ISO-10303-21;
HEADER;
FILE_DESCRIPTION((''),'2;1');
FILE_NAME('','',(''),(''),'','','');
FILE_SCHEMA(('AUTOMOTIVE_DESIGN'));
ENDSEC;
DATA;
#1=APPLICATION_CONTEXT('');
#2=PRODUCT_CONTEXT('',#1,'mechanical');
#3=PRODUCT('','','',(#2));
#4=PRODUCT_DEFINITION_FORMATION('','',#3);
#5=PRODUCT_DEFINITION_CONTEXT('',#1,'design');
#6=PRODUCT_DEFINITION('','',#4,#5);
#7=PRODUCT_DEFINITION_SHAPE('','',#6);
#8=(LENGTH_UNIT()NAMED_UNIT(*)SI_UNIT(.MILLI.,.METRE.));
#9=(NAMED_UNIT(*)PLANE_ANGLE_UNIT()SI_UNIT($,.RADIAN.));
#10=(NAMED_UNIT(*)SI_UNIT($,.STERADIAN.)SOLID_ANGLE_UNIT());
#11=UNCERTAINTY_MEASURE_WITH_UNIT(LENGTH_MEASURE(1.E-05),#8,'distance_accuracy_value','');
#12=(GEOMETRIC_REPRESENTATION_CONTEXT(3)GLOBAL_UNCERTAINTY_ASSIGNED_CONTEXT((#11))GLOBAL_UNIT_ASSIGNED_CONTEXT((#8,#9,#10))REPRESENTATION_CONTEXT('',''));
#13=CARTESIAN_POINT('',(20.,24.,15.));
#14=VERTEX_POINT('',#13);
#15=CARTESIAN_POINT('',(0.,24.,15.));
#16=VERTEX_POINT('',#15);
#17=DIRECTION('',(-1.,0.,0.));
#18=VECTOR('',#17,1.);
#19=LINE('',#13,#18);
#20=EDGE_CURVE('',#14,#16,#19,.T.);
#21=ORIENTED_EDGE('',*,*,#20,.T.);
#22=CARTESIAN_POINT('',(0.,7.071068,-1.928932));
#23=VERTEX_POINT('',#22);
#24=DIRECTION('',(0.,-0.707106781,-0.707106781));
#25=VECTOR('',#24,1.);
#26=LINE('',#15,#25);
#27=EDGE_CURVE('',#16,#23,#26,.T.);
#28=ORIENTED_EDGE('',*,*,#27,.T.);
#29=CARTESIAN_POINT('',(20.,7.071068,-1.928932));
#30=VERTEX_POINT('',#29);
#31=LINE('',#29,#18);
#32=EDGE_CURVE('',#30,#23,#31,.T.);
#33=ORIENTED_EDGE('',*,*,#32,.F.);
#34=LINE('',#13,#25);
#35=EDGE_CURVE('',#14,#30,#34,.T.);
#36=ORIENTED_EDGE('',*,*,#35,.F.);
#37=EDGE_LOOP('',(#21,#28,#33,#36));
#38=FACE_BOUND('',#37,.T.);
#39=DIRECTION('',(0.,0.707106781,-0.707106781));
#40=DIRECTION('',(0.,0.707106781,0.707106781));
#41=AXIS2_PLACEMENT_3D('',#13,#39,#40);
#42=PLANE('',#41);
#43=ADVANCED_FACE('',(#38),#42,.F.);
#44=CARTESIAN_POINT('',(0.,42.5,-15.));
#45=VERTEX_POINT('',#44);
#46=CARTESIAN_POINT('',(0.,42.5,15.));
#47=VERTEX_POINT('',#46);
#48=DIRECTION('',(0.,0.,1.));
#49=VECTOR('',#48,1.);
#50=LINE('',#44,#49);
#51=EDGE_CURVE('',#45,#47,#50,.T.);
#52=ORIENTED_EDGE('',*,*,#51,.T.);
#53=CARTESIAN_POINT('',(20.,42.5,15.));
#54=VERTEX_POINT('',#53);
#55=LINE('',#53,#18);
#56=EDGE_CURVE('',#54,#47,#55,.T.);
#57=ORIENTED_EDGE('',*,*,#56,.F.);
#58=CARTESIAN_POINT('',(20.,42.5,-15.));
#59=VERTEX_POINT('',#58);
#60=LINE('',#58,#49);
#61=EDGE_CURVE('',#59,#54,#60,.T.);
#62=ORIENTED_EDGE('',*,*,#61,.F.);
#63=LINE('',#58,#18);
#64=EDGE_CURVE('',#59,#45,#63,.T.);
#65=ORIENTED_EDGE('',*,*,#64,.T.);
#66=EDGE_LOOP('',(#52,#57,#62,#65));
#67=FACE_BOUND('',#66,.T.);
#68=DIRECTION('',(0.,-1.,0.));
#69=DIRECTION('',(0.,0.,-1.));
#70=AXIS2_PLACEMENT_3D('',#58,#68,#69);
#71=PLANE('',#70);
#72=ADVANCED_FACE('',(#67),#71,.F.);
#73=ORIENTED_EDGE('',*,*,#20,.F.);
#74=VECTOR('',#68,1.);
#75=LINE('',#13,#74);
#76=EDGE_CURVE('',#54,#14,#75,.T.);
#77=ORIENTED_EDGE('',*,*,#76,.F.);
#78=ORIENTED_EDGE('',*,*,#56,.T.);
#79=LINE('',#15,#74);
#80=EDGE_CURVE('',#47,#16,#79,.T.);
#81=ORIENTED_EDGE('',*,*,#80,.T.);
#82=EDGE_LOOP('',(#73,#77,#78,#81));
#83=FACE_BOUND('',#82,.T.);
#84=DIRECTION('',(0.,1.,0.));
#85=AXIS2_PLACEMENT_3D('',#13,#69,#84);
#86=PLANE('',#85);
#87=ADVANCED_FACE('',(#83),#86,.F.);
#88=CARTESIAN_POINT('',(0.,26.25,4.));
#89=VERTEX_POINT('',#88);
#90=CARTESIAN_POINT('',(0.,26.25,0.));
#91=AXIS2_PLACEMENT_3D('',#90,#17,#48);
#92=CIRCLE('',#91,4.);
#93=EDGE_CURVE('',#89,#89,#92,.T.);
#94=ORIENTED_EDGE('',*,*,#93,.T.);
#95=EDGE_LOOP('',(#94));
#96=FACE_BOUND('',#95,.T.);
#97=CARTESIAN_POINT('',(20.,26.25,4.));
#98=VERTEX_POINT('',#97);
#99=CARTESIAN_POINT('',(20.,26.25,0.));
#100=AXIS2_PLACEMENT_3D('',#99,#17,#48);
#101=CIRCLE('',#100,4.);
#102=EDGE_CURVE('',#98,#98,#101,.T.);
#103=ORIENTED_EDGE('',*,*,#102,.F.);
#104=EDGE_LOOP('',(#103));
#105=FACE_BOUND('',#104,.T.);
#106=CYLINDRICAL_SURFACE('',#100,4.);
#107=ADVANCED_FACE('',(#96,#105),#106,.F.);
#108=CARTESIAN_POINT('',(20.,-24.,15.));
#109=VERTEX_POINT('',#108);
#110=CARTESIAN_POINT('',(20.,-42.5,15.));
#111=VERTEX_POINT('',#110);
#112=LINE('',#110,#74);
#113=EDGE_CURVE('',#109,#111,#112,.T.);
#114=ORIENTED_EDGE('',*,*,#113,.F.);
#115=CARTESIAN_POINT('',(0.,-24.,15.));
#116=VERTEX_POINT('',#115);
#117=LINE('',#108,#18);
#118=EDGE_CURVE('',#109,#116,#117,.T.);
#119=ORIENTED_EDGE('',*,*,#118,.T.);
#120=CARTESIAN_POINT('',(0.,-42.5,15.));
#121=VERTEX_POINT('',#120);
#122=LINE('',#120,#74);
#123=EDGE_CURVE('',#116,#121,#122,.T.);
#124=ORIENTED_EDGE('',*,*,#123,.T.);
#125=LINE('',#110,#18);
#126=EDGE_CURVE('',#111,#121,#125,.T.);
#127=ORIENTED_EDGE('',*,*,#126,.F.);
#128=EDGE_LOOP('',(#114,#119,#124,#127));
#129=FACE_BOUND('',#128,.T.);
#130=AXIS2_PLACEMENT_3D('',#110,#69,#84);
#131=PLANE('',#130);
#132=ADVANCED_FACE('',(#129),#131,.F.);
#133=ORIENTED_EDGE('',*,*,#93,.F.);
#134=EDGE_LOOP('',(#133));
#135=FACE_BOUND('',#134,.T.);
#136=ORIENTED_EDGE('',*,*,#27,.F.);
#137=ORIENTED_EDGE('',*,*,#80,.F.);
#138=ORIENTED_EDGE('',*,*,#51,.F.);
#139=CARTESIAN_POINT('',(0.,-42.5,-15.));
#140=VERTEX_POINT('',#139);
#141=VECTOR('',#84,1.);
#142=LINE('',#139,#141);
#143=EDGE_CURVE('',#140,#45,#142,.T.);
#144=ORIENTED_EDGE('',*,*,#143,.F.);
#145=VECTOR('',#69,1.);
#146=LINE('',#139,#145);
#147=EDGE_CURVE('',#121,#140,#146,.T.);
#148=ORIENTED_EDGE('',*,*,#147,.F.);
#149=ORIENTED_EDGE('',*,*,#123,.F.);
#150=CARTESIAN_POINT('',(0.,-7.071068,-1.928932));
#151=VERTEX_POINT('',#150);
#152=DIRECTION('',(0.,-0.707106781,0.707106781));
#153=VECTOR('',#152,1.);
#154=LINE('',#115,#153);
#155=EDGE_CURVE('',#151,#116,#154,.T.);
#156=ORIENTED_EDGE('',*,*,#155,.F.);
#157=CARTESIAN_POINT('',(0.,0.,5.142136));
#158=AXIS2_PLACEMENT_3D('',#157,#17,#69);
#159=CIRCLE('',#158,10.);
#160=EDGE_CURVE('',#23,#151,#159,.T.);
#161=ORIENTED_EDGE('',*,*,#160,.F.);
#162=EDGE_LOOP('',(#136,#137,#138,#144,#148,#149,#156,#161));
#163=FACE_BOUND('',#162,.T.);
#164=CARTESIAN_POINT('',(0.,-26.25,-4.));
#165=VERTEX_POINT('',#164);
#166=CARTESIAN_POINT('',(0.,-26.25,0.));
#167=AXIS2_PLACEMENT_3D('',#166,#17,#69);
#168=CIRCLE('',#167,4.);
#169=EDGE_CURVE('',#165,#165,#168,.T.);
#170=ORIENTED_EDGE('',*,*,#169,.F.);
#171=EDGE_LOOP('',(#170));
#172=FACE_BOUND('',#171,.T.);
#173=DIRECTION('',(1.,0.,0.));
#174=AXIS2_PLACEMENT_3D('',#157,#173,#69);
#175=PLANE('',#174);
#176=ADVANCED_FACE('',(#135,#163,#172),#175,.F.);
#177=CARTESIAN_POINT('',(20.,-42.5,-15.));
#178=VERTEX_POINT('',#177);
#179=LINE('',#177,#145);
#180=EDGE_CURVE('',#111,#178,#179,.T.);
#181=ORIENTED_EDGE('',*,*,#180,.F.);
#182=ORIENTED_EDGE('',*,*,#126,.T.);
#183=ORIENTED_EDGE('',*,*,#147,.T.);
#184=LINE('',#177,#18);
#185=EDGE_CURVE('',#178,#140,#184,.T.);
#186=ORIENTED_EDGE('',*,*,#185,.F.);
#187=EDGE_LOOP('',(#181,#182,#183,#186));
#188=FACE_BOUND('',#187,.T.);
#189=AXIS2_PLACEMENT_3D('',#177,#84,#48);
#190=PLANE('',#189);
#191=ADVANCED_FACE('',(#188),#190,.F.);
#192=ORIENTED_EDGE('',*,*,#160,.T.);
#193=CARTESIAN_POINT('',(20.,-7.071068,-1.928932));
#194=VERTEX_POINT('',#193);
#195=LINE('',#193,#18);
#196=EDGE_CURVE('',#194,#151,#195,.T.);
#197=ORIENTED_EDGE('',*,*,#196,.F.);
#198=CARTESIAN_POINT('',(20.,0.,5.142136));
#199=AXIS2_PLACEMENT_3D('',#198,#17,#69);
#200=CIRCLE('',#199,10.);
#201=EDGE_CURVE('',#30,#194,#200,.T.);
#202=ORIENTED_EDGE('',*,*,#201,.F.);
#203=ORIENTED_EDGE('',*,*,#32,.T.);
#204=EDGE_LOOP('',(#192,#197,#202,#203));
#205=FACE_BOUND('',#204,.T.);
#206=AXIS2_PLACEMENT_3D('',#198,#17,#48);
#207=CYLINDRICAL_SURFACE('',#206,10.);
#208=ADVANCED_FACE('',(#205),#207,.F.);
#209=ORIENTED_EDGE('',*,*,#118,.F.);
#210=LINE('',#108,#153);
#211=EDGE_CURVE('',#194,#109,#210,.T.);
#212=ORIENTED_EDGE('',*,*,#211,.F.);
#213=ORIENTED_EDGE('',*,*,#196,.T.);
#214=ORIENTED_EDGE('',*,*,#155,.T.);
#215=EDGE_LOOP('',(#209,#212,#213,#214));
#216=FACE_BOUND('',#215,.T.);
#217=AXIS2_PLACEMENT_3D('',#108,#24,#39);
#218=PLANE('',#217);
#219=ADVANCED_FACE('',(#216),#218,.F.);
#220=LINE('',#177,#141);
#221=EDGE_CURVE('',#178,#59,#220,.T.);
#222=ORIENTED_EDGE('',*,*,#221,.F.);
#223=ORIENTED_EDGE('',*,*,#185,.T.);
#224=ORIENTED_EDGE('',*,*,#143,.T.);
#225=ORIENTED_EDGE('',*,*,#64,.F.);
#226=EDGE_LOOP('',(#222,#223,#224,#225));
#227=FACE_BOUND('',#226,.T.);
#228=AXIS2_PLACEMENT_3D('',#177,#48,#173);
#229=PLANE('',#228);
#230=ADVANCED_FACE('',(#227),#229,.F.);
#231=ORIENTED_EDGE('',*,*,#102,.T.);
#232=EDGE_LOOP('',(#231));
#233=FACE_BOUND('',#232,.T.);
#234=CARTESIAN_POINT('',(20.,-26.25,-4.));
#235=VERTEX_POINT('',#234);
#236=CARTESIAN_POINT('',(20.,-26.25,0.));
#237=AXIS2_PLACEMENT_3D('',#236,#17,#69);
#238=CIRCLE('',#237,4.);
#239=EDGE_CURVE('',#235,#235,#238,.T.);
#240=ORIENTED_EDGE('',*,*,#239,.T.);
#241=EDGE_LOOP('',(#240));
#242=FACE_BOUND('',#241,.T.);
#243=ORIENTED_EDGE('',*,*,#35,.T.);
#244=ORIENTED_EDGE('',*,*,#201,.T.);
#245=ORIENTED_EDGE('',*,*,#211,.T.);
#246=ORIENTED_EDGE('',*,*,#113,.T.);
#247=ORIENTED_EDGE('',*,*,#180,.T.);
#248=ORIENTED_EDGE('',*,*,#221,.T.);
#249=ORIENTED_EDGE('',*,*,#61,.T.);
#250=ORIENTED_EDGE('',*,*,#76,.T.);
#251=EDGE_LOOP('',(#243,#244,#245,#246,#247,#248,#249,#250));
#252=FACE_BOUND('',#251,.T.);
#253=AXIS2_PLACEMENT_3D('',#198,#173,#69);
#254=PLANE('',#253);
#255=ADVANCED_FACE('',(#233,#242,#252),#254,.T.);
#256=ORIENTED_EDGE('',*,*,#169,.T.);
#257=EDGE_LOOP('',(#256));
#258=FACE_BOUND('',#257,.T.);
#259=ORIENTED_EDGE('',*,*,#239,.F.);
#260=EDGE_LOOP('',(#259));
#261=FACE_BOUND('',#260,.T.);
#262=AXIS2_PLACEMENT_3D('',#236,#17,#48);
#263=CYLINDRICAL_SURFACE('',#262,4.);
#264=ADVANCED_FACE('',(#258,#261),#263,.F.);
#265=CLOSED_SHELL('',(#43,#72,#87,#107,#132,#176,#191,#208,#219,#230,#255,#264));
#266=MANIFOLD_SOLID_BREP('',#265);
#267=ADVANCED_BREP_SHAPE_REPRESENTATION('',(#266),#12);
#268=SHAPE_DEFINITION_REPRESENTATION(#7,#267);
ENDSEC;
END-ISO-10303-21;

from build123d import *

# Parameters (mm, degrees)
EXTRUDE_1_DEPTH     = 20
SKETCH_3_R          = 4
CUT_EXTRUDE_1_DEPTH = 20


with BuildPart() as part:
    # 草图1 → 凸台-拉伸1 (new body)
    with BuildSketch(Plane(origin=(0, 0, 0), x_dir=(0, 0, -1), z_dir=(1, 0, 0))):
        with BuildLine():
            Line((-15, 24), (1.928932188, 7.071067812))
            ThreePointArc((1.928932188, 7.071067812), (4.857864376, 0), (1.928932188, -7.071067812))
            Line((1.928932188, -7.071067812), (-15, -24))
            Line((-15, -24), (-15, -42.5))
            Line((-15, -42.5), (15, -42.5))
            Line((15, -42.5), (15, 42.5))
            Line((15, 42.5), (-15, 42.5))
            Line((-15, 42.5), (-15, 24))
        make_face()
    extrude(amount=EXTRUDE_1_DEPTH)

    # 草图3 → 切除-拉伸1 (cut)
    with BuildSketch(Plane.ZY):
        with Locations((0, 26.25)):
            Circle(SKETCH_3_R)
        with Locations(Location((0, -26.25, 0), (0, 0, 180))):
            Circle(SKETCH_3_R)
    extrude(amount=-CUT_EXTRUDE_1_DEPTH, mode=Mode.SUBTRACT)


solid = part.part
